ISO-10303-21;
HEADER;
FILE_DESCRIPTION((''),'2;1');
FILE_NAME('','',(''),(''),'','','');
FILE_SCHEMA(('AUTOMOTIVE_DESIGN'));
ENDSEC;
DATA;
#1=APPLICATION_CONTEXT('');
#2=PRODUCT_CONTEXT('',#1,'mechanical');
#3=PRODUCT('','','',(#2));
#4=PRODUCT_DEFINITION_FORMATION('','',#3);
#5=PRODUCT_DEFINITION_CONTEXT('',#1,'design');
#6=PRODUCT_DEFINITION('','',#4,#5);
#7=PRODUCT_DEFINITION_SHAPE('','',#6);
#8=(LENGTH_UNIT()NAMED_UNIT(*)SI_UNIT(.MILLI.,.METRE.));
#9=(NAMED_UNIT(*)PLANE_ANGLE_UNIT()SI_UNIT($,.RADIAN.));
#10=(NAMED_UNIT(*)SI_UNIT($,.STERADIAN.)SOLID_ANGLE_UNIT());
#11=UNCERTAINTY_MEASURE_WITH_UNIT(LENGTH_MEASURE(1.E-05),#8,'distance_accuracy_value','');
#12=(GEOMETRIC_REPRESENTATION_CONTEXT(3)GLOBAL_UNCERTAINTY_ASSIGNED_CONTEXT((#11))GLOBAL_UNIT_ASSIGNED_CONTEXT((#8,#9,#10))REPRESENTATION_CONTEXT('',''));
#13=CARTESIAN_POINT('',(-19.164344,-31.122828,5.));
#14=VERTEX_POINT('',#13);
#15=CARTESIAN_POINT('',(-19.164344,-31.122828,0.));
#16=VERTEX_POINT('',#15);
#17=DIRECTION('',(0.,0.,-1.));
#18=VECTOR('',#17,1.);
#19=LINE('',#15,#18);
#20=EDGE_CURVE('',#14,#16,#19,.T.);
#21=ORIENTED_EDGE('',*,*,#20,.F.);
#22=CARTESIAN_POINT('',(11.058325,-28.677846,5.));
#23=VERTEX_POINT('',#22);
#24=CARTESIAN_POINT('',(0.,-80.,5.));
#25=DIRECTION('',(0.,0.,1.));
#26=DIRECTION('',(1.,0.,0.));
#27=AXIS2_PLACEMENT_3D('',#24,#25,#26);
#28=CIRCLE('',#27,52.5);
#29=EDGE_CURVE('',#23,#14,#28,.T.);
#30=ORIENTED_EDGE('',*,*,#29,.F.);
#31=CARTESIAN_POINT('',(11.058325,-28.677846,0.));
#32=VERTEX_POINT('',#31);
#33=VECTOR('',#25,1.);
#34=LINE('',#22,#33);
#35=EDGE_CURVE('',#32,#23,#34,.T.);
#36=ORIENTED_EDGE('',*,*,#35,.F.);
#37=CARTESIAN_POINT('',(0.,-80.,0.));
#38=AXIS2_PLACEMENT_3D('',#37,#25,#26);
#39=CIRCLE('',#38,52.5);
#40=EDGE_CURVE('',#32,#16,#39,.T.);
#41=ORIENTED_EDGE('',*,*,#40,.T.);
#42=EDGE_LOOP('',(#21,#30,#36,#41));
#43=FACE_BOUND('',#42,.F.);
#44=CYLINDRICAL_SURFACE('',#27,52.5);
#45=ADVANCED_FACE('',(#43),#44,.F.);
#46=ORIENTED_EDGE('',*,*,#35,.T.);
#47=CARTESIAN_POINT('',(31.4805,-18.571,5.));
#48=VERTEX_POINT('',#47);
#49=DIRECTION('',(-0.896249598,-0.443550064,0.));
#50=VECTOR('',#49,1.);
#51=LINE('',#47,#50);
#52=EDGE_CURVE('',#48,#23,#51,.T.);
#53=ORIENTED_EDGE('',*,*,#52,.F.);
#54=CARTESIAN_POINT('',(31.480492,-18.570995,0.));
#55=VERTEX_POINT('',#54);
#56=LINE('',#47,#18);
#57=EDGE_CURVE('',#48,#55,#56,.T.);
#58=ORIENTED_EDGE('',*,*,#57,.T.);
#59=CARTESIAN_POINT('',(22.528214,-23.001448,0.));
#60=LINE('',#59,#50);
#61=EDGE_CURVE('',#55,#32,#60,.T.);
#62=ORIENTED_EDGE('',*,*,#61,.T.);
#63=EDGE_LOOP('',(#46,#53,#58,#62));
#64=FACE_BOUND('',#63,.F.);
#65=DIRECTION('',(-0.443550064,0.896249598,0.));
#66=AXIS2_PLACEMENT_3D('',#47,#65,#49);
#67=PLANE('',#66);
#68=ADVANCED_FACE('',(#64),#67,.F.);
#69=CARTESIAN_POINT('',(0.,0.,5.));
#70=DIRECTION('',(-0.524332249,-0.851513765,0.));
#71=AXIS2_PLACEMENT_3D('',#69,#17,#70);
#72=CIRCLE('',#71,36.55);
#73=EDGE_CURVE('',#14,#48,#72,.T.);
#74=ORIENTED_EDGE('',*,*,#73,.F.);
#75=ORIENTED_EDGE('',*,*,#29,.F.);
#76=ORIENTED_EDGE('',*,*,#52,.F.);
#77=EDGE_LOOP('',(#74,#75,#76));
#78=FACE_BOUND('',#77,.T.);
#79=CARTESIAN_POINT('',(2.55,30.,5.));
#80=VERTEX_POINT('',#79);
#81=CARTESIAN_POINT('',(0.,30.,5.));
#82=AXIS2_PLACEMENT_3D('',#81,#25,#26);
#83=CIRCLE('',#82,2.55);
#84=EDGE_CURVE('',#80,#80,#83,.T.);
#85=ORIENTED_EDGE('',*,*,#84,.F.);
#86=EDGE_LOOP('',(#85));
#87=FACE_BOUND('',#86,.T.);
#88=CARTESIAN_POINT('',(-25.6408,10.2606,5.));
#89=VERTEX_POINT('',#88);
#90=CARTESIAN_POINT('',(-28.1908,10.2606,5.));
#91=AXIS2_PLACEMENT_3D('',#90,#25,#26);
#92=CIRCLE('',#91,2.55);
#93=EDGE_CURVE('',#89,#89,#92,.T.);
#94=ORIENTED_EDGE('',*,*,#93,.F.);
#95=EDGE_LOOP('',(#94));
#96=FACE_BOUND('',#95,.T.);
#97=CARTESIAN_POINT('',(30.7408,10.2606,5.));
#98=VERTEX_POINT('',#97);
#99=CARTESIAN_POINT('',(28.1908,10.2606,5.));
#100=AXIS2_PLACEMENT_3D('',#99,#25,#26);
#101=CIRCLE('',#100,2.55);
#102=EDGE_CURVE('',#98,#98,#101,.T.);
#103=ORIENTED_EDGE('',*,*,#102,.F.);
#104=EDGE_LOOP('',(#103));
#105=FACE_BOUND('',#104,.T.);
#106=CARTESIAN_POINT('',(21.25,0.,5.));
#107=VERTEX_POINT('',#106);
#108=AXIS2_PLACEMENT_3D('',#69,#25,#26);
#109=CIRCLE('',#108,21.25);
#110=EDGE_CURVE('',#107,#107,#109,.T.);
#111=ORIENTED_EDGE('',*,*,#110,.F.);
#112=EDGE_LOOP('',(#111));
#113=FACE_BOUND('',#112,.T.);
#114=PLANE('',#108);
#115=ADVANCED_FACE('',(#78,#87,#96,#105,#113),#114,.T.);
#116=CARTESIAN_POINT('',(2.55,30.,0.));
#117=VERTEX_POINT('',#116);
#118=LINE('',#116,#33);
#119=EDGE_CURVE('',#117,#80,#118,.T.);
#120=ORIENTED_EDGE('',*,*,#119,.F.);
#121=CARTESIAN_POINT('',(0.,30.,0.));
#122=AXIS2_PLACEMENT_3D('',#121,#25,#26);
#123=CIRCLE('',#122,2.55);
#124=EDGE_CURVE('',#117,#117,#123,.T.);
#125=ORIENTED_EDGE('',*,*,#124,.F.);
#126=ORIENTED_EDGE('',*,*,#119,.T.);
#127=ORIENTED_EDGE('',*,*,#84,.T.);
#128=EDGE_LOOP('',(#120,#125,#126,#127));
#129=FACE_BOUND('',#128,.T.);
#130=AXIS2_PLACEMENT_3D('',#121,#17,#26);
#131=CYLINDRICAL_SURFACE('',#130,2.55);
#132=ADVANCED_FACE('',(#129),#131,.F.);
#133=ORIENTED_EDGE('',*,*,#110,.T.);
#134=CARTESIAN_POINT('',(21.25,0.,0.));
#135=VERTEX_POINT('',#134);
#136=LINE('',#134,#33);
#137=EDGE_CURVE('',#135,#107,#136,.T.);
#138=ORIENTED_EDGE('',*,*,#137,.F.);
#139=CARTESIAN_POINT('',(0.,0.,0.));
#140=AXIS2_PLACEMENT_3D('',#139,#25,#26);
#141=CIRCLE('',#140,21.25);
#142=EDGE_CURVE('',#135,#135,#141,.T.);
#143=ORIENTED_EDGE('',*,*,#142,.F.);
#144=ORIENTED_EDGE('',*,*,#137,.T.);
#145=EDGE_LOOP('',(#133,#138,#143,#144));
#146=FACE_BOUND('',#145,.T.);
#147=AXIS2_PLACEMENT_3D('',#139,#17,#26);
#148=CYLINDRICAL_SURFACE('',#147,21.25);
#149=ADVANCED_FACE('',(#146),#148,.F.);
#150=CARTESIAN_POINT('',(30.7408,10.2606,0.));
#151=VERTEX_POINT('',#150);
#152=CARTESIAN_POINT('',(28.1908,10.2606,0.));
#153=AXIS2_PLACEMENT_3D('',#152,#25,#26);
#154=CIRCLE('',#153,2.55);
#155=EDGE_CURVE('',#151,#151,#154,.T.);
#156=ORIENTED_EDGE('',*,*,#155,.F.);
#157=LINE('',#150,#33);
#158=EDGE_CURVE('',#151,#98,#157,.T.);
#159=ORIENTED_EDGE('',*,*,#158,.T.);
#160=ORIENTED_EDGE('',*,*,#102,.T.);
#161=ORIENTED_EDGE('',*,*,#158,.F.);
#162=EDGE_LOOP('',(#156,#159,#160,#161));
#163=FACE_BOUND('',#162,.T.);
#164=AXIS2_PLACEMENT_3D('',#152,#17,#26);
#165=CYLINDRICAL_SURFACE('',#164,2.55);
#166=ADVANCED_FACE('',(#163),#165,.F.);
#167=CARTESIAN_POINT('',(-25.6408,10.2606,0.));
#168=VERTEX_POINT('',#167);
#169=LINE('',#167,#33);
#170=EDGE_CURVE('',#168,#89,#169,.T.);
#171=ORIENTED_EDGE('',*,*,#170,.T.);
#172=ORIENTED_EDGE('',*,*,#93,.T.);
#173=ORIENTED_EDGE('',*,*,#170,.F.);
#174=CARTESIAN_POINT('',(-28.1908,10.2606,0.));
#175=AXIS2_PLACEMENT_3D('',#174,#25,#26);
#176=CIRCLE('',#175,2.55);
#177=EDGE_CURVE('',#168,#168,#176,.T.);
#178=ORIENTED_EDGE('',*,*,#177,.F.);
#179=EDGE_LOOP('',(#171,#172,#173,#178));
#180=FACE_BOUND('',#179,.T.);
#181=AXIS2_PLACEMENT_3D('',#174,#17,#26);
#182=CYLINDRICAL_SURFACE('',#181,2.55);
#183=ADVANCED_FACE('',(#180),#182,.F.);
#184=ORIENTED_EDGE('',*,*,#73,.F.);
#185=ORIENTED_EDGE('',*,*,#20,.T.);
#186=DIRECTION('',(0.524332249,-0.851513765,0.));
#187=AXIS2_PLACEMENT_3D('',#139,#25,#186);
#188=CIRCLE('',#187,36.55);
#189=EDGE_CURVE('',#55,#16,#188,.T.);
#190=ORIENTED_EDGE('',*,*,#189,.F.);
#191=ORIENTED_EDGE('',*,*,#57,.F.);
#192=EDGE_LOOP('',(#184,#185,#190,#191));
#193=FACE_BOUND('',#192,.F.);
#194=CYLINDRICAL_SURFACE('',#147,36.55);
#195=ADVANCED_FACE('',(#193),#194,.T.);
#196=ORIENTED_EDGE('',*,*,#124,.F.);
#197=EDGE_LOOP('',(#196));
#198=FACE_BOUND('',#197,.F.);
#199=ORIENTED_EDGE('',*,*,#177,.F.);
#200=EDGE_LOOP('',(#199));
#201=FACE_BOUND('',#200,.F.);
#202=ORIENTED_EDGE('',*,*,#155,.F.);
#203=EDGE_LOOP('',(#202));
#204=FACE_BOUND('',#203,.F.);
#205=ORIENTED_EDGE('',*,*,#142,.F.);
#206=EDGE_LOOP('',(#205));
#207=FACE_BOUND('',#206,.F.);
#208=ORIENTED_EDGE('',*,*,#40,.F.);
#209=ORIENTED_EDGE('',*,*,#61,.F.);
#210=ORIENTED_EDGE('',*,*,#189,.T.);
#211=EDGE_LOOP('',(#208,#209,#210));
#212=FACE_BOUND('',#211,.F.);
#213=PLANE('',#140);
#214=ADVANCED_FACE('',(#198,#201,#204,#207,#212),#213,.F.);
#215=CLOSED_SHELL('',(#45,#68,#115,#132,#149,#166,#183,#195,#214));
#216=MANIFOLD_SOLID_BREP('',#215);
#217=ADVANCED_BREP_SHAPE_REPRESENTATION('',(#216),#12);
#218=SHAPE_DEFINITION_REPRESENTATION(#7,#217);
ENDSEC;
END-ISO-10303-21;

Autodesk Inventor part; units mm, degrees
ref_plane "YZ Plane" through (0, 0, 0) normal (1, 0, 0) x (0, 1, 0)
ref_plane "XZ Plane" through (0, 0, 0) normal (0, 1, 0) x (-1, 0, 0)
ref_plane "XY Plane" through (0, 0, 0) normal (0, 0, 1) x (1, 0, 0)
sketch "スケッチ1" plane through (0, 0, 0) normal (0, 0, 1) x (1, 0, 0)
  circle A0 centre (0, 0) radius 21.25
  circle A1 centre (0, 0) radius 36.55
  line L0 (0, 0) -> (-28.1908, 10.2606) construction
  line L1 (0, 0) -> (28.1908, 10.2606) construction
  line L2 (-39.5959, 0) -> (43.1917, 0) construction
  line L3 (0, 0) -> (0, 30) construction
  circle A2 centre (-28.1908, 10.2606) radius 2.55
  circle A3 centre (0, 30) radius 2.55
  circle A4 centre (28.1908, 10.2606) radius 2.55
  dimension "d0" = 73.1
  dimension "d1" = 42.5
  dimension "d2" = 30
  dimension "d3" = 30
  dimension "d4" = 20
  dimension "d5" = 20
  dimension "d6" = 30
  dimension "d7" = 5.1
  dimension "d8" = 5.1
  dimension "d9" = 5.1
extrude "押し出し1" add sketch "スケッチ1" along normal blind 5
sketch "スケッチ2" plane through (0, 0, 5) normal (0, 0, 1) x (1, 0, 0)
  line L0 (0, 0) -> (0, -80) construction
  circle A0 centre (0, -80) radius 52.5
  dimension "d12" = 80
  dimension "d16" = 105
extrude "押し出し2" cut sketch "スケッチ2" against normal blind 10
sketch "スケッチ3" plane through (0, 0, 5) normal (0, 0, 1) x (1, 0, 0)
  arc A0 (19.1643, -31.1228) -> (-19.1643, -31.1228) centre (0, 0) ccw projected
  line L0 (31.4805, -18.571) -> (8.7644, -29.8131)
  line L1 (8.7644, -29.8131) -> (11.2377, -39.3237)
  line L2 (11.2377, -39.3237) -> (35.6526, -33.4076)
  line L3 (35.6526, -33.4076) -> (31.4805, -18.571)
extrude "押し出し3" cut sketch "スケッチ3" against normal blind 10
properties part number "円 42.5mm" material "アルミニウム 6061"
